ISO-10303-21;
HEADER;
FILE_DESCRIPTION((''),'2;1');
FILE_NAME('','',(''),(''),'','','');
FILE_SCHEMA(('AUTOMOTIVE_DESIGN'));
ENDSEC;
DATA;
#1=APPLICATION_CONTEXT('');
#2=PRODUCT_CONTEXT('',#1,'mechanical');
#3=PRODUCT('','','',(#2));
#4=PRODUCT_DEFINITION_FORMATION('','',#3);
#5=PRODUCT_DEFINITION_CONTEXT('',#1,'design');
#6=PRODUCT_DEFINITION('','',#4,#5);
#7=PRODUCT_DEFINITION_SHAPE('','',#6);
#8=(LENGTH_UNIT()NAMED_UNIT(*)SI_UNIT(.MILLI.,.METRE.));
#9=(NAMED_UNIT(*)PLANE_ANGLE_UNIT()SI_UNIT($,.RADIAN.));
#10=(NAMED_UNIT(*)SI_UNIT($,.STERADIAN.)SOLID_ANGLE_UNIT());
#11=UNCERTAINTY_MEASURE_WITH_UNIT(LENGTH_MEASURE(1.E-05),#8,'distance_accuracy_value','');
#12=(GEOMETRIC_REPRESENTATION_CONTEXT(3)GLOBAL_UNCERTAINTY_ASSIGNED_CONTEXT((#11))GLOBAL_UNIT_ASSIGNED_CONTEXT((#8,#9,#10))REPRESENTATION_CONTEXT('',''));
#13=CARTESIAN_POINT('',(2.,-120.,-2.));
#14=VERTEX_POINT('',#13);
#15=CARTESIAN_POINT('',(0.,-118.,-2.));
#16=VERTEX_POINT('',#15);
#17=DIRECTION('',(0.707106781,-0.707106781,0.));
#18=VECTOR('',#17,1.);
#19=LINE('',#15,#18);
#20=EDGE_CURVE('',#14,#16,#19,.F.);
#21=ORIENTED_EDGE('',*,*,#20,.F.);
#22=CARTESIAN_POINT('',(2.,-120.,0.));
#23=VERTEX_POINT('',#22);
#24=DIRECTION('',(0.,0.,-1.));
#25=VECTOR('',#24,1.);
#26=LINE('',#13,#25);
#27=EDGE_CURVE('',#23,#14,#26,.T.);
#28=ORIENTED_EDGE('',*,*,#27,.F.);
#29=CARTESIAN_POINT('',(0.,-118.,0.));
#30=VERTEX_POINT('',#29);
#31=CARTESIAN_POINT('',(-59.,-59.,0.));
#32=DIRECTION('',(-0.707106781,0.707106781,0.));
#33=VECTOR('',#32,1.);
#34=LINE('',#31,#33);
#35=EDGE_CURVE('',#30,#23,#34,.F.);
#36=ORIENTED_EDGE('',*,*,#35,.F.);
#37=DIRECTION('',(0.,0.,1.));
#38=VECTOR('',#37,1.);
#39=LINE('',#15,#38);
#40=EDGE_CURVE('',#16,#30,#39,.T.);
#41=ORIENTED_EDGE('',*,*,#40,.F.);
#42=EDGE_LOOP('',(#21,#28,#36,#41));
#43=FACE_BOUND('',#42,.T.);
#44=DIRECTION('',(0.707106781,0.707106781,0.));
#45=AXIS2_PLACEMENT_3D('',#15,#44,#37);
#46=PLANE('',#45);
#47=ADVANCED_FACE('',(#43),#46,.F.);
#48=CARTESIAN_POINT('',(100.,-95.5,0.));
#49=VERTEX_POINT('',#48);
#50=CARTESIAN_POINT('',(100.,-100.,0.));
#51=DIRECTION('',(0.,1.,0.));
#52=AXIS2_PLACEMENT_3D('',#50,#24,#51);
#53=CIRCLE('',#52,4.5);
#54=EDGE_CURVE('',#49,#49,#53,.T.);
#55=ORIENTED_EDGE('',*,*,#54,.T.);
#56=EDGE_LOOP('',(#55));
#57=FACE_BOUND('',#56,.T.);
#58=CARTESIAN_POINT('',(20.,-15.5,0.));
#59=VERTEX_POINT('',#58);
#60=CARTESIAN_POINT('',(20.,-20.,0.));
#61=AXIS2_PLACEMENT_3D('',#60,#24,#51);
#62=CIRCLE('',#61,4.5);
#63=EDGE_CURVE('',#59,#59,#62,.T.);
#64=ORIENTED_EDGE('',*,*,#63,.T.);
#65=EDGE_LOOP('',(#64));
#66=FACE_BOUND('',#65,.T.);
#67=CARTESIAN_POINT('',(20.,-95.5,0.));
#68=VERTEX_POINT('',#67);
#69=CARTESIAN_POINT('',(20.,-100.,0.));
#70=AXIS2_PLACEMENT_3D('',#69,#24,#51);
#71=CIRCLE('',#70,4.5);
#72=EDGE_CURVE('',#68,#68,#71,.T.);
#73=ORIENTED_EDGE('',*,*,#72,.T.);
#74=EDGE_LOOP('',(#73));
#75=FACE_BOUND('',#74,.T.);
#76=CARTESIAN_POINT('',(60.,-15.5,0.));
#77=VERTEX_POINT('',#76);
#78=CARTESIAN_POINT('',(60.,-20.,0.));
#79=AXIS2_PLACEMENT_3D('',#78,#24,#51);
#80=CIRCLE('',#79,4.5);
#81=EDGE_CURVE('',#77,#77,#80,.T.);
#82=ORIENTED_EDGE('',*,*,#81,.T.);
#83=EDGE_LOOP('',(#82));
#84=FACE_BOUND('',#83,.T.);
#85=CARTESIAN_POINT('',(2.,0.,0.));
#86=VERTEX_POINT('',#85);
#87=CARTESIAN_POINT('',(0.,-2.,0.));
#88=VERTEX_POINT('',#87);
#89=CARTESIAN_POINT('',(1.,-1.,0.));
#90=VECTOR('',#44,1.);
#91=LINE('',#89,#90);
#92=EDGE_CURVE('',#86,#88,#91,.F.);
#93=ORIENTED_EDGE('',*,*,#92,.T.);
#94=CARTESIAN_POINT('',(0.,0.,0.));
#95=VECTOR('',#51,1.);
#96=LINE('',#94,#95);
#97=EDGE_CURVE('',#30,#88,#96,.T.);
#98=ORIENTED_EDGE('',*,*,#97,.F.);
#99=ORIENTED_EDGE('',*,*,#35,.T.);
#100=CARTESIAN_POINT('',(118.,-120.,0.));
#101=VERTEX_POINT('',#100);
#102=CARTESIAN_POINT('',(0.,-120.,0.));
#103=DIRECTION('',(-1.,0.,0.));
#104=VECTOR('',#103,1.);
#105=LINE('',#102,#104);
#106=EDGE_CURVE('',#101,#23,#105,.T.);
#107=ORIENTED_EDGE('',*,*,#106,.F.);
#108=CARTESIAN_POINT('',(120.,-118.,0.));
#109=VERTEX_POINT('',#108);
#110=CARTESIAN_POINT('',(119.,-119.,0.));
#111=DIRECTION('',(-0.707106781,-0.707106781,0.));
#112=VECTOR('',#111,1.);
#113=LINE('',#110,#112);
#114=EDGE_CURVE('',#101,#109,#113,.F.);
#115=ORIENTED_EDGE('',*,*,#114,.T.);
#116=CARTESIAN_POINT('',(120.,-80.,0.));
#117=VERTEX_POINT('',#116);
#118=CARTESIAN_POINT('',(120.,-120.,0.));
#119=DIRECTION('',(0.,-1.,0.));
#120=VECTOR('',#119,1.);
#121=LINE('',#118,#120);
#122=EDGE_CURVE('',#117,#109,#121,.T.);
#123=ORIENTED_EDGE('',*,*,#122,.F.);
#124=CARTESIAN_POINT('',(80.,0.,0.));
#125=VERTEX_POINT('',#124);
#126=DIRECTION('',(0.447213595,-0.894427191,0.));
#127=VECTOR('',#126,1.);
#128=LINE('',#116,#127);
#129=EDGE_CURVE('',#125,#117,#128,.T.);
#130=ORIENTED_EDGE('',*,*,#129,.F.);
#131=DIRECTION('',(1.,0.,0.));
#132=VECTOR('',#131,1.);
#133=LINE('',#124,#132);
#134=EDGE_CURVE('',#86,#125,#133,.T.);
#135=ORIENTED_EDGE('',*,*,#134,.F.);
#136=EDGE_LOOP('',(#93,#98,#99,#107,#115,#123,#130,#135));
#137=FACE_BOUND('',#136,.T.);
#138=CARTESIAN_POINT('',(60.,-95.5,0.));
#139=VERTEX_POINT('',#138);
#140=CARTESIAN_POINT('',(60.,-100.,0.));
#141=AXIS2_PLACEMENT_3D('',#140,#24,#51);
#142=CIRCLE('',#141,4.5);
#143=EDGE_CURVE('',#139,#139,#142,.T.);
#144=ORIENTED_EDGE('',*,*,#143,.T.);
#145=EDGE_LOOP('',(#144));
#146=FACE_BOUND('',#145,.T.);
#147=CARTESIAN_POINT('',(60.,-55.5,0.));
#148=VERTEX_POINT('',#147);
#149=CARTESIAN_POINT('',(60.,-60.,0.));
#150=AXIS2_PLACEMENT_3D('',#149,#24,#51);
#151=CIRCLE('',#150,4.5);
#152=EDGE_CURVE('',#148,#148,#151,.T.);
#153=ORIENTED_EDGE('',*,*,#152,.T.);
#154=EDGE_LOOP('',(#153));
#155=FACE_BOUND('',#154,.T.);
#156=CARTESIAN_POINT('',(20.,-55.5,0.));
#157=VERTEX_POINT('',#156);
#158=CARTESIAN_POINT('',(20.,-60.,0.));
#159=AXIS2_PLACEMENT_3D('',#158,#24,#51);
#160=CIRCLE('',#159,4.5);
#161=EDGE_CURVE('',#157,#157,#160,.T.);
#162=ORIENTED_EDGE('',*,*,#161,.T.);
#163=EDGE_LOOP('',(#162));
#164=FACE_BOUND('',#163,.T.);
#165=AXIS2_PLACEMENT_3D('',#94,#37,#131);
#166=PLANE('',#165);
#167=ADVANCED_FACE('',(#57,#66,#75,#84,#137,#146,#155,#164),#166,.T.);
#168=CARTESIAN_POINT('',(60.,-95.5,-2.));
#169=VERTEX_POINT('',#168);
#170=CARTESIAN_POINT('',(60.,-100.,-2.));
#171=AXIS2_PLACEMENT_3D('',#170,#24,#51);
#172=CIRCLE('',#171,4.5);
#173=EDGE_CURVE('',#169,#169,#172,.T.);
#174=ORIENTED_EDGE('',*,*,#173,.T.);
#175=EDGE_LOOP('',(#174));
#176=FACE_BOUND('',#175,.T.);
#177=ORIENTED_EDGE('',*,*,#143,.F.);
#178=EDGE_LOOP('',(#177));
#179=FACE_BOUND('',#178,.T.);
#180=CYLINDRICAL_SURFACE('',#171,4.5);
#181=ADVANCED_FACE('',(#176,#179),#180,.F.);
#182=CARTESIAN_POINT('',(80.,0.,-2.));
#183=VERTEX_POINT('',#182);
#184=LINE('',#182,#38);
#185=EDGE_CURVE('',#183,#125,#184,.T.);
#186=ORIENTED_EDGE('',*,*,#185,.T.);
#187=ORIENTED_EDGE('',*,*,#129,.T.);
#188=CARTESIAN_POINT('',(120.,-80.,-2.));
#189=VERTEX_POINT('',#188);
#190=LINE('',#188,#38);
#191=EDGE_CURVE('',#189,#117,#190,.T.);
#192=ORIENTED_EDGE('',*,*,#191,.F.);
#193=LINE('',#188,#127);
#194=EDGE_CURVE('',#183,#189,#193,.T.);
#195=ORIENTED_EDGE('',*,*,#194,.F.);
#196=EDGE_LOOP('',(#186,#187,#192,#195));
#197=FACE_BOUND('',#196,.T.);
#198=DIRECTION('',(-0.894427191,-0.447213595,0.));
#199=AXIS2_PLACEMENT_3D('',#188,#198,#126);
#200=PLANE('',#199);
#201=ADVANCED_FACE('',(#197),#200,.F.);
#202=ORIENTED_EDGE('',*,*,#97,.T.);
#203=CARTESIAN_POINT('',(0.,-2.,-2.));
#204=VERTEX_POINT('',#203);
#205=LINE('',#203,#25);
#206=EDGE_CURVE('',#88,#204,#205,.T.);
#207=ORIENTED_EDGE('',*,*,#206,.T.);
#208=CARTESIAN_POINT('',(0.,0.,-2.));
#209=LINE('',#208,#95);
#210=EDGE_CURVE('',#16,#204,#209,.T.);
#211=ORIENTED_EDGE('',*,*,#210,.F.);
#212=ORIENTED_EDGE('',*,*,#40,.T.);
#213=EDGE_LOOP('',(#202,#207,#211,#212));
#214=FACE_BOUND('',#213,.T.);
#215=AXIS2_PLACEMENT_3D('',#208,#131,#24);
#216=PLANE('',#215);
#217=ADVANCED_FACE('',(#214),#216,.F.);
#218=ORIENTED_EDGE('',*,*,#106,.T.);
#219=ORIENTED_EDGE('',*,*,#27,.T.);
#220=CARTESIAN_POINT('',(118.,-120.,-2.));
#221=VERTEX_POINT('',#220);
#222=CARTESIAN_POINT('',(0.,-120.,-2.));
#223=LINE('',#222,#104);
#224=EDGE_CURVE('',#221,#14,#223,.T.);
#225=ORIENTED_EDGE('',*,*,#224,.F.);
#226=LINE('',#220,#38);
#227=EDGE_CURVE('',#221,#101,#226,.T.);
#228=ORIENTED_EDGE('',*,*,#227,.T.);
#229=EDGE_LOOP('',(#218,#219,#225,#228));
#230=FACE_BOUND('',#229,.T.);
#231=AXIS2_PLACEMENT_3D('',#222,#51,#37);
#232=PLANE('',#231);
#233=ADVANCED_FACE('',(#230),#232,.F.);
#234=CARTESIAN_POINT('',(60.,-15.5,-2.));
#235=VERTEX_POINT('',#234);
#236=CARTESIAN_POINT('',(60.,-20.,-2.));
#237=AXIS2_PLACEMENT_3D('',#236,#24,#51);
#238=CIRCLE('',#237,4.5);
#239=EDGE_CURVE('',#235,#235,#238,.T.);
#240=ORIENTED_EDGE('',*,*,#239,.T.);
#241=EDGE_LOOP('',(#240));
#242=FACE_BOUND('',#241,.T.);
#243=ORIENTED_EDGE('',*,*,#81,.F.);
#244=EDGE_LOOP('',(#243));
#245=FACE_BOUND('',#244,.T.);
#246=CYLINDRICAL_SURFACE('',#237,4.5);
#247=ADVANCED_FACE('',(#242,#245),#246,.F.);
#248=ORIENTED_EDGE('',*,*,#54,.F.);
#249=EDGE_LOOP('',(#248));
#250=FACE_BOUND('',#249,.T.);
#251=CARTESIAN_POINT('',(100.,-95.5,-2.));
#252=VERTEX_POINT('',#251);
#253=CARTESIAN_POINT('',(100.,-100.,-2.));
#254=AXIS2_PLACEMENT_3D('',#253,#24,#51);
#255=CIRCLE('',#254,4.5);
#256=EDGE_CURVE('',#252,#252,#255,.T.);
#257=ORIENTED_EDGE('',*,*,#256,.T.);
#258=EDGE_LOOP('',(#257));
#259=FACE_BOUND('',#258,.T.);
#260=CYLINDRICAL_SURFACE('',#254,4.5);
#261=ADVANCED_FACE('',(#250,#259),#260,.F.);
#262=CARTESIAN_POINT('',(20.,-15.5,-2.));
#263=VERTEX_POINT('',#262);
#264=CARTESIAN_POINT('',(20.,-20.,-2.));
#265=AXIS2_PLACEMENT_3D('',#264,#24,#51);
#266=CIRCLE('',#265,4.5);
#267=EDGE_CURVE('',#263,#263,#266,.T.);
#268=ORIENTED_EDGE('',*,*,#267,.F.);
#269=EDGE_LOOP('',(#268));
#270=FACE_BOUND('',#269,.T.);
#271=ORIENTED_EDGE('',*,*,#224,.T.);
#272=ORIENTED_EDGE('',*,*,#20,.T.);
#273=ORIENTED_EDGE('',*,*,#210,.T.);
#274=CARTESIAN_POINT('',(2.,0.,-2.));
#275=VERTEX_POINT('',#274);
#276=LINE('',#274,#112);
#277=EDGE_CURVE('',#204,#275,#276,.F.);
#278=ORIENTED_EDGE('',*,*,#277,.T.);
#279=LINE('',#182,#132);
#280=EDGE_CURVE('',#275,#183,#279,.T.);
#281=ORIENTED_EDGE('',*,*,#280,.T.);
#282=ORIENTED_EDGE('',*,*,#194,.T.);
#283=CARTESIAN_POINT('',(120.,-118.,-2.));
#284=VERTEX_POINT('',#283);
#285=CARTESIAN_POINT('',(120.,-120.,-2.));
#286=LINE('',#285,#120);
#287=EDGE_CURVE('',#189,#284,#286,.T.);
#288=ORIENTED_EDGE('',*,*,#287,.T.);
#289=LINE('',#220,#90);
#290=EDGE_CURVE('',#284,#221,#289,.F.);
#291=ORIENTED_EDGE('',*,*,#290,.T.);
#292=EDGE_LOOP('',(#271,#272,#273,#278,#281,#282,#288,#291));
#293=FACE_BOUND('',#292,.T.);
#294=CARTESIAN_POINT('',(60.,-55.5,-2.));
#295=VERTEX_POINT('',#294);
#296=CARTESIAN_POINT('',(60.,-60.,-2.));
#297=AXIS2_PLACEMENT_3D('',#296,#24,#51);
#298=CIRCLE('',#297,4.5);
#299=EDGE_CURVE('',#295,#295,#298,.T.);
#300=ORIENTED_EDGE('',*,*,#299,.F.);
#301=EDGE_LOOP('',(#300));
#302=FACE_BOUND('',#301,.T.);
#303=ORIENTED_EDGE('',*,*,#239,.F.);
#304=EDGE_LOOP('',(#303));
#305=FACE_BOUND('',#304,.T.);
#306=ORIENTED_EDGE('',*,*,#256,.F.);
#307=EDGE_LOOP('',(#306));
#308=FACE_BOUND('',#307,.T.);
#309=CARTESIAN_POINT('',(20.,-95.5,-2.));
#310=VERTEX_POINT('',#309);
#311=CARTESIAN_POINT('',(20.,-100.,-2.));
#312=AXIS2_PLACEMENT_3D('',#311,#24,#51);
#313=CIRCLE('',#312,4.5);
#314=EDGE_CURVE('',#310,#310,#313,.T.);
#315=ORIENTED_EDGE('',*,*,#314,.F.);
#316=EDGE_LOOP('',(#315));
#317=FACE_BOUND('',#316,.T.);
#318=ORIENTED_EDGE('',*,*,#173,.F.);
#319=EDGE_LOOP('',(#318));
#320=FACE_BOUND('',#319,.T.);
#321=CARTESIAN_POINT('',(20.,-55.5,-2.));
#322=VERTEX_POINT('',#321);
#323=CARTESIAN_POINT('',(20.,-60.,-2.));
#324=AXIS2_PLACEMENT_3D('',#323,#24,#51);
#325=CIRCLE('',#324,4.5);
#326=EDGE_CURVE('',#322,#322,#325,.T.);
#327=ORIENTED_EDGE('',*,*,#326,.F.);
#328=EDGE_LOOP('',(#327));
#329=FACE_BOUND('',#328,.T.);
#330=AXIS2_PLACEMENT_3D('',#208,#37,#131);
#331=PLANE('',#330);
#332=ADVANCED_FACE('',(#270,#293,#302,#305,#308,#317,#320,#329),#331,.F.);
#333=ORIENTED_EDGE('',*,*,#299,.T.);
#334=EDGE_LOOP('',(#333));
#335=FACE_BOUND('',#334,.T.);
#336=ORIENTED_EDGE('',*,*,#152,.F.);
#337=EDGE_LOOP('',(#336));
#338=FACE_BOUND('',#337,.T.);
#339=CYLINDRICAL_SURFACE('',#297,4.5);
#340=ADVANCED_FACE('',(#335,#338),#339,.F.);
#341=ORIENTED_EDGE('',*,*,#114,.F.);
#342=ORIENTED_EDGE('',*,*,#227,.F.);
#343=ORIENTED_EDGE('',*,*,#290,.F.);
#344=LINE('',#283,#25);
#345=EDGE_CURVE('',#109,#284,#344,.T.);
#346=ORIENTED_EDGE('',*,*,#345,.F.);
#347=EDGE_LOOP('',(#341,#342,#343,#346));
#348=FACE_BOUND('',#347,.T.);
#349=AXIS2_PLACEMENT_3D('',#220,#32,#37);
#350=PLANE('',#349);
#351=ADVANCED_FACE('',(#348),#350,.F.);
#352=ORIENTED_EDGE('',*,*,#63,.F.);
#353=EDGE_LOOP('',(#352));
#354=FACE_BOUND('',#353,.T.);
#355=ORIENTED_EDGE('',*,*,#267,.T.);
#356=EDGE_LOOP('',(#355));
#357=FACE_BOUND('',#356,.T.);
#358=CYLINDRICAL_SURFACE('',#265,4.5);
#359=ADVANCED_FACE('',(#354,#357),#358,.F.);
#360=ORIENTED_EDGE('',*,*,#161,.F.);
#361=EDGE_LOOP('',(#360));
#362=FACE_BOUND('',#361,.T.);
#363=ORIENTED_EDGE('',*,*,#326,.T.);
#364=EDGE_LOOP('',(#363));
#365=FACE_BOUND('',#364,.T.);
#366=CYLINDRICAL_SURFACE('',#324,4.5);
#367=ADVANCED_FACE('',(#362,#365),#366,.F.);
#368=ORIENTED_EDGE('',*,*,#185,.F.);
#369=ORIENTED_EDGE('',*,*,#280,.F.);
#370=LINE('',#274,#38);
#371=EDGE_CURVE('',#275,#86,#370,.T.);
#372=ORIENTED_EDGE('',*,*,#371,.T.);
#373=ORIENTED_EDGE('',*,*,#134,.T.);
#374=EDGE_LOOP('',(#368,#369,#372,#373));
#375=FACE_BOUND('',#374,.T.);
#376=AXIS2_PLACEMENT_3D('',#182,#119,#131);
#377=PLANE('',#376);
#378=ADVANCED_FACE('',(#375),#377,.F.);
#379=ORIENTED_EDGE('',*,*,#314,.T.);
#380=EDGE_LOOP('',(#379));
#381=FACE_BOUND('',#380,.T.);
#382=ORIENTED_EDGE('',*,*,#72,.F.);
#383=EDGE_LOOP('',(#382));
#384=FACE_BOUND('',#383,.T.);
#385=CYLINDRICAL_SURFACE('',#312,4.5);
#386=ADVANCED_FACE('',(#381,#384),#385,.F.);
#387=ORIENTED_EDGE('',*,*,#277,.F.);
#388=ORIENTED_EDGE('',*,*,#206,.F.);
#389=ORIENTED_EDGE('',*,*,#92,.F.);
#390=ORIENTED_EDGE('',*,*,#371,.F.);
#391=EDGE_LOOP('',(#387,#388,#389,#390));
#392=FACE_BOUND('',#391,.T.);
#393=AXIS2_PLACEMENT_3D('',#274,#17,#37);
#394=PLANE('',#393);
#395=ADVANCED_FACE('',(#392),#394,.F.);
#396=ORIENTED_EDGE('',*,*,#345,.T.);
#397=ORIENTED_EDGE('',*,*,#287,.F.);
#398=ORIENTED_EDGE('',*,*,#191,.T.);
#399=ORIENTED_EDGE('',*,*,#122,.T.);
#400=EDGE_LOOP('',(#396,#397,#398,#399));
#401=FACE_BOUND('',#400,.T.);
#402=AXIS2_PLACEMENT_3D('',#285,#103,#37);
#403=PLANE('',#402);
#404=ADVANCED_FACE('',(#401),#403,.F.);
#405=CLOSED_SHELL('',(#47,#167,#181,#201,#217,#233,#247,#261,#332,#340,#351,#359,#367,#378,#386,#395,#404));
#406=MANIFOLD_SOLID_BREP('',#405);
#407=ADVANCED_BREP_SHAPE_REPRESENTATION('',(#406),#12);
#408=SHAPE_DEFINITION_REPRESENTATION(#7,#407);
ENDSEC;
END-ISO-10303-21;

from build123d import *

# Parameters (mm, degrees)
EXTRUDE_1_DEPTH   = 2
HOLE_WIZARD_M81_D = 9
CHAMFER_1_SIZE    = 2


with BuildPart() as part:
    # Эскиз1 → Бобышка-Вытянуть1 (new body)
    with BuildSketch(Plane(origin=(0, 0, 0), x_dir=(1, 0, 0), z_dir=(0, 0, -1))):
        Polygon((0, 0), (0, 120), (120, 120), (120, 80), (80, 0), align=None)
    extrude(amount=EXTRUDE_1_DEPTH)

    # Отверстие с зазором M81 (through all)
    with Locations(Plane(origin=(0, 0, -2), x_dir=(1, 0, 0), z_dir=(0, 0, -1))):
        with Locations((60, 100), (20, 100), (20, 60), (20, 20), (100, 100), (60, 60), (60, 20)):
            Hole(HOLE_WIZARD_M81_D / 2)

    # Фаска1
    chamfer_1_edges = [part.edges().sort_by_distance(p)[0] for p in [
        (0, 0, -1),
        (0, -120, -1),
        (120, -120, -1),
    ]]
    chamfer(chamfer_1_edges, length=CHAMFER_1_SIZE)


solid = part.part
